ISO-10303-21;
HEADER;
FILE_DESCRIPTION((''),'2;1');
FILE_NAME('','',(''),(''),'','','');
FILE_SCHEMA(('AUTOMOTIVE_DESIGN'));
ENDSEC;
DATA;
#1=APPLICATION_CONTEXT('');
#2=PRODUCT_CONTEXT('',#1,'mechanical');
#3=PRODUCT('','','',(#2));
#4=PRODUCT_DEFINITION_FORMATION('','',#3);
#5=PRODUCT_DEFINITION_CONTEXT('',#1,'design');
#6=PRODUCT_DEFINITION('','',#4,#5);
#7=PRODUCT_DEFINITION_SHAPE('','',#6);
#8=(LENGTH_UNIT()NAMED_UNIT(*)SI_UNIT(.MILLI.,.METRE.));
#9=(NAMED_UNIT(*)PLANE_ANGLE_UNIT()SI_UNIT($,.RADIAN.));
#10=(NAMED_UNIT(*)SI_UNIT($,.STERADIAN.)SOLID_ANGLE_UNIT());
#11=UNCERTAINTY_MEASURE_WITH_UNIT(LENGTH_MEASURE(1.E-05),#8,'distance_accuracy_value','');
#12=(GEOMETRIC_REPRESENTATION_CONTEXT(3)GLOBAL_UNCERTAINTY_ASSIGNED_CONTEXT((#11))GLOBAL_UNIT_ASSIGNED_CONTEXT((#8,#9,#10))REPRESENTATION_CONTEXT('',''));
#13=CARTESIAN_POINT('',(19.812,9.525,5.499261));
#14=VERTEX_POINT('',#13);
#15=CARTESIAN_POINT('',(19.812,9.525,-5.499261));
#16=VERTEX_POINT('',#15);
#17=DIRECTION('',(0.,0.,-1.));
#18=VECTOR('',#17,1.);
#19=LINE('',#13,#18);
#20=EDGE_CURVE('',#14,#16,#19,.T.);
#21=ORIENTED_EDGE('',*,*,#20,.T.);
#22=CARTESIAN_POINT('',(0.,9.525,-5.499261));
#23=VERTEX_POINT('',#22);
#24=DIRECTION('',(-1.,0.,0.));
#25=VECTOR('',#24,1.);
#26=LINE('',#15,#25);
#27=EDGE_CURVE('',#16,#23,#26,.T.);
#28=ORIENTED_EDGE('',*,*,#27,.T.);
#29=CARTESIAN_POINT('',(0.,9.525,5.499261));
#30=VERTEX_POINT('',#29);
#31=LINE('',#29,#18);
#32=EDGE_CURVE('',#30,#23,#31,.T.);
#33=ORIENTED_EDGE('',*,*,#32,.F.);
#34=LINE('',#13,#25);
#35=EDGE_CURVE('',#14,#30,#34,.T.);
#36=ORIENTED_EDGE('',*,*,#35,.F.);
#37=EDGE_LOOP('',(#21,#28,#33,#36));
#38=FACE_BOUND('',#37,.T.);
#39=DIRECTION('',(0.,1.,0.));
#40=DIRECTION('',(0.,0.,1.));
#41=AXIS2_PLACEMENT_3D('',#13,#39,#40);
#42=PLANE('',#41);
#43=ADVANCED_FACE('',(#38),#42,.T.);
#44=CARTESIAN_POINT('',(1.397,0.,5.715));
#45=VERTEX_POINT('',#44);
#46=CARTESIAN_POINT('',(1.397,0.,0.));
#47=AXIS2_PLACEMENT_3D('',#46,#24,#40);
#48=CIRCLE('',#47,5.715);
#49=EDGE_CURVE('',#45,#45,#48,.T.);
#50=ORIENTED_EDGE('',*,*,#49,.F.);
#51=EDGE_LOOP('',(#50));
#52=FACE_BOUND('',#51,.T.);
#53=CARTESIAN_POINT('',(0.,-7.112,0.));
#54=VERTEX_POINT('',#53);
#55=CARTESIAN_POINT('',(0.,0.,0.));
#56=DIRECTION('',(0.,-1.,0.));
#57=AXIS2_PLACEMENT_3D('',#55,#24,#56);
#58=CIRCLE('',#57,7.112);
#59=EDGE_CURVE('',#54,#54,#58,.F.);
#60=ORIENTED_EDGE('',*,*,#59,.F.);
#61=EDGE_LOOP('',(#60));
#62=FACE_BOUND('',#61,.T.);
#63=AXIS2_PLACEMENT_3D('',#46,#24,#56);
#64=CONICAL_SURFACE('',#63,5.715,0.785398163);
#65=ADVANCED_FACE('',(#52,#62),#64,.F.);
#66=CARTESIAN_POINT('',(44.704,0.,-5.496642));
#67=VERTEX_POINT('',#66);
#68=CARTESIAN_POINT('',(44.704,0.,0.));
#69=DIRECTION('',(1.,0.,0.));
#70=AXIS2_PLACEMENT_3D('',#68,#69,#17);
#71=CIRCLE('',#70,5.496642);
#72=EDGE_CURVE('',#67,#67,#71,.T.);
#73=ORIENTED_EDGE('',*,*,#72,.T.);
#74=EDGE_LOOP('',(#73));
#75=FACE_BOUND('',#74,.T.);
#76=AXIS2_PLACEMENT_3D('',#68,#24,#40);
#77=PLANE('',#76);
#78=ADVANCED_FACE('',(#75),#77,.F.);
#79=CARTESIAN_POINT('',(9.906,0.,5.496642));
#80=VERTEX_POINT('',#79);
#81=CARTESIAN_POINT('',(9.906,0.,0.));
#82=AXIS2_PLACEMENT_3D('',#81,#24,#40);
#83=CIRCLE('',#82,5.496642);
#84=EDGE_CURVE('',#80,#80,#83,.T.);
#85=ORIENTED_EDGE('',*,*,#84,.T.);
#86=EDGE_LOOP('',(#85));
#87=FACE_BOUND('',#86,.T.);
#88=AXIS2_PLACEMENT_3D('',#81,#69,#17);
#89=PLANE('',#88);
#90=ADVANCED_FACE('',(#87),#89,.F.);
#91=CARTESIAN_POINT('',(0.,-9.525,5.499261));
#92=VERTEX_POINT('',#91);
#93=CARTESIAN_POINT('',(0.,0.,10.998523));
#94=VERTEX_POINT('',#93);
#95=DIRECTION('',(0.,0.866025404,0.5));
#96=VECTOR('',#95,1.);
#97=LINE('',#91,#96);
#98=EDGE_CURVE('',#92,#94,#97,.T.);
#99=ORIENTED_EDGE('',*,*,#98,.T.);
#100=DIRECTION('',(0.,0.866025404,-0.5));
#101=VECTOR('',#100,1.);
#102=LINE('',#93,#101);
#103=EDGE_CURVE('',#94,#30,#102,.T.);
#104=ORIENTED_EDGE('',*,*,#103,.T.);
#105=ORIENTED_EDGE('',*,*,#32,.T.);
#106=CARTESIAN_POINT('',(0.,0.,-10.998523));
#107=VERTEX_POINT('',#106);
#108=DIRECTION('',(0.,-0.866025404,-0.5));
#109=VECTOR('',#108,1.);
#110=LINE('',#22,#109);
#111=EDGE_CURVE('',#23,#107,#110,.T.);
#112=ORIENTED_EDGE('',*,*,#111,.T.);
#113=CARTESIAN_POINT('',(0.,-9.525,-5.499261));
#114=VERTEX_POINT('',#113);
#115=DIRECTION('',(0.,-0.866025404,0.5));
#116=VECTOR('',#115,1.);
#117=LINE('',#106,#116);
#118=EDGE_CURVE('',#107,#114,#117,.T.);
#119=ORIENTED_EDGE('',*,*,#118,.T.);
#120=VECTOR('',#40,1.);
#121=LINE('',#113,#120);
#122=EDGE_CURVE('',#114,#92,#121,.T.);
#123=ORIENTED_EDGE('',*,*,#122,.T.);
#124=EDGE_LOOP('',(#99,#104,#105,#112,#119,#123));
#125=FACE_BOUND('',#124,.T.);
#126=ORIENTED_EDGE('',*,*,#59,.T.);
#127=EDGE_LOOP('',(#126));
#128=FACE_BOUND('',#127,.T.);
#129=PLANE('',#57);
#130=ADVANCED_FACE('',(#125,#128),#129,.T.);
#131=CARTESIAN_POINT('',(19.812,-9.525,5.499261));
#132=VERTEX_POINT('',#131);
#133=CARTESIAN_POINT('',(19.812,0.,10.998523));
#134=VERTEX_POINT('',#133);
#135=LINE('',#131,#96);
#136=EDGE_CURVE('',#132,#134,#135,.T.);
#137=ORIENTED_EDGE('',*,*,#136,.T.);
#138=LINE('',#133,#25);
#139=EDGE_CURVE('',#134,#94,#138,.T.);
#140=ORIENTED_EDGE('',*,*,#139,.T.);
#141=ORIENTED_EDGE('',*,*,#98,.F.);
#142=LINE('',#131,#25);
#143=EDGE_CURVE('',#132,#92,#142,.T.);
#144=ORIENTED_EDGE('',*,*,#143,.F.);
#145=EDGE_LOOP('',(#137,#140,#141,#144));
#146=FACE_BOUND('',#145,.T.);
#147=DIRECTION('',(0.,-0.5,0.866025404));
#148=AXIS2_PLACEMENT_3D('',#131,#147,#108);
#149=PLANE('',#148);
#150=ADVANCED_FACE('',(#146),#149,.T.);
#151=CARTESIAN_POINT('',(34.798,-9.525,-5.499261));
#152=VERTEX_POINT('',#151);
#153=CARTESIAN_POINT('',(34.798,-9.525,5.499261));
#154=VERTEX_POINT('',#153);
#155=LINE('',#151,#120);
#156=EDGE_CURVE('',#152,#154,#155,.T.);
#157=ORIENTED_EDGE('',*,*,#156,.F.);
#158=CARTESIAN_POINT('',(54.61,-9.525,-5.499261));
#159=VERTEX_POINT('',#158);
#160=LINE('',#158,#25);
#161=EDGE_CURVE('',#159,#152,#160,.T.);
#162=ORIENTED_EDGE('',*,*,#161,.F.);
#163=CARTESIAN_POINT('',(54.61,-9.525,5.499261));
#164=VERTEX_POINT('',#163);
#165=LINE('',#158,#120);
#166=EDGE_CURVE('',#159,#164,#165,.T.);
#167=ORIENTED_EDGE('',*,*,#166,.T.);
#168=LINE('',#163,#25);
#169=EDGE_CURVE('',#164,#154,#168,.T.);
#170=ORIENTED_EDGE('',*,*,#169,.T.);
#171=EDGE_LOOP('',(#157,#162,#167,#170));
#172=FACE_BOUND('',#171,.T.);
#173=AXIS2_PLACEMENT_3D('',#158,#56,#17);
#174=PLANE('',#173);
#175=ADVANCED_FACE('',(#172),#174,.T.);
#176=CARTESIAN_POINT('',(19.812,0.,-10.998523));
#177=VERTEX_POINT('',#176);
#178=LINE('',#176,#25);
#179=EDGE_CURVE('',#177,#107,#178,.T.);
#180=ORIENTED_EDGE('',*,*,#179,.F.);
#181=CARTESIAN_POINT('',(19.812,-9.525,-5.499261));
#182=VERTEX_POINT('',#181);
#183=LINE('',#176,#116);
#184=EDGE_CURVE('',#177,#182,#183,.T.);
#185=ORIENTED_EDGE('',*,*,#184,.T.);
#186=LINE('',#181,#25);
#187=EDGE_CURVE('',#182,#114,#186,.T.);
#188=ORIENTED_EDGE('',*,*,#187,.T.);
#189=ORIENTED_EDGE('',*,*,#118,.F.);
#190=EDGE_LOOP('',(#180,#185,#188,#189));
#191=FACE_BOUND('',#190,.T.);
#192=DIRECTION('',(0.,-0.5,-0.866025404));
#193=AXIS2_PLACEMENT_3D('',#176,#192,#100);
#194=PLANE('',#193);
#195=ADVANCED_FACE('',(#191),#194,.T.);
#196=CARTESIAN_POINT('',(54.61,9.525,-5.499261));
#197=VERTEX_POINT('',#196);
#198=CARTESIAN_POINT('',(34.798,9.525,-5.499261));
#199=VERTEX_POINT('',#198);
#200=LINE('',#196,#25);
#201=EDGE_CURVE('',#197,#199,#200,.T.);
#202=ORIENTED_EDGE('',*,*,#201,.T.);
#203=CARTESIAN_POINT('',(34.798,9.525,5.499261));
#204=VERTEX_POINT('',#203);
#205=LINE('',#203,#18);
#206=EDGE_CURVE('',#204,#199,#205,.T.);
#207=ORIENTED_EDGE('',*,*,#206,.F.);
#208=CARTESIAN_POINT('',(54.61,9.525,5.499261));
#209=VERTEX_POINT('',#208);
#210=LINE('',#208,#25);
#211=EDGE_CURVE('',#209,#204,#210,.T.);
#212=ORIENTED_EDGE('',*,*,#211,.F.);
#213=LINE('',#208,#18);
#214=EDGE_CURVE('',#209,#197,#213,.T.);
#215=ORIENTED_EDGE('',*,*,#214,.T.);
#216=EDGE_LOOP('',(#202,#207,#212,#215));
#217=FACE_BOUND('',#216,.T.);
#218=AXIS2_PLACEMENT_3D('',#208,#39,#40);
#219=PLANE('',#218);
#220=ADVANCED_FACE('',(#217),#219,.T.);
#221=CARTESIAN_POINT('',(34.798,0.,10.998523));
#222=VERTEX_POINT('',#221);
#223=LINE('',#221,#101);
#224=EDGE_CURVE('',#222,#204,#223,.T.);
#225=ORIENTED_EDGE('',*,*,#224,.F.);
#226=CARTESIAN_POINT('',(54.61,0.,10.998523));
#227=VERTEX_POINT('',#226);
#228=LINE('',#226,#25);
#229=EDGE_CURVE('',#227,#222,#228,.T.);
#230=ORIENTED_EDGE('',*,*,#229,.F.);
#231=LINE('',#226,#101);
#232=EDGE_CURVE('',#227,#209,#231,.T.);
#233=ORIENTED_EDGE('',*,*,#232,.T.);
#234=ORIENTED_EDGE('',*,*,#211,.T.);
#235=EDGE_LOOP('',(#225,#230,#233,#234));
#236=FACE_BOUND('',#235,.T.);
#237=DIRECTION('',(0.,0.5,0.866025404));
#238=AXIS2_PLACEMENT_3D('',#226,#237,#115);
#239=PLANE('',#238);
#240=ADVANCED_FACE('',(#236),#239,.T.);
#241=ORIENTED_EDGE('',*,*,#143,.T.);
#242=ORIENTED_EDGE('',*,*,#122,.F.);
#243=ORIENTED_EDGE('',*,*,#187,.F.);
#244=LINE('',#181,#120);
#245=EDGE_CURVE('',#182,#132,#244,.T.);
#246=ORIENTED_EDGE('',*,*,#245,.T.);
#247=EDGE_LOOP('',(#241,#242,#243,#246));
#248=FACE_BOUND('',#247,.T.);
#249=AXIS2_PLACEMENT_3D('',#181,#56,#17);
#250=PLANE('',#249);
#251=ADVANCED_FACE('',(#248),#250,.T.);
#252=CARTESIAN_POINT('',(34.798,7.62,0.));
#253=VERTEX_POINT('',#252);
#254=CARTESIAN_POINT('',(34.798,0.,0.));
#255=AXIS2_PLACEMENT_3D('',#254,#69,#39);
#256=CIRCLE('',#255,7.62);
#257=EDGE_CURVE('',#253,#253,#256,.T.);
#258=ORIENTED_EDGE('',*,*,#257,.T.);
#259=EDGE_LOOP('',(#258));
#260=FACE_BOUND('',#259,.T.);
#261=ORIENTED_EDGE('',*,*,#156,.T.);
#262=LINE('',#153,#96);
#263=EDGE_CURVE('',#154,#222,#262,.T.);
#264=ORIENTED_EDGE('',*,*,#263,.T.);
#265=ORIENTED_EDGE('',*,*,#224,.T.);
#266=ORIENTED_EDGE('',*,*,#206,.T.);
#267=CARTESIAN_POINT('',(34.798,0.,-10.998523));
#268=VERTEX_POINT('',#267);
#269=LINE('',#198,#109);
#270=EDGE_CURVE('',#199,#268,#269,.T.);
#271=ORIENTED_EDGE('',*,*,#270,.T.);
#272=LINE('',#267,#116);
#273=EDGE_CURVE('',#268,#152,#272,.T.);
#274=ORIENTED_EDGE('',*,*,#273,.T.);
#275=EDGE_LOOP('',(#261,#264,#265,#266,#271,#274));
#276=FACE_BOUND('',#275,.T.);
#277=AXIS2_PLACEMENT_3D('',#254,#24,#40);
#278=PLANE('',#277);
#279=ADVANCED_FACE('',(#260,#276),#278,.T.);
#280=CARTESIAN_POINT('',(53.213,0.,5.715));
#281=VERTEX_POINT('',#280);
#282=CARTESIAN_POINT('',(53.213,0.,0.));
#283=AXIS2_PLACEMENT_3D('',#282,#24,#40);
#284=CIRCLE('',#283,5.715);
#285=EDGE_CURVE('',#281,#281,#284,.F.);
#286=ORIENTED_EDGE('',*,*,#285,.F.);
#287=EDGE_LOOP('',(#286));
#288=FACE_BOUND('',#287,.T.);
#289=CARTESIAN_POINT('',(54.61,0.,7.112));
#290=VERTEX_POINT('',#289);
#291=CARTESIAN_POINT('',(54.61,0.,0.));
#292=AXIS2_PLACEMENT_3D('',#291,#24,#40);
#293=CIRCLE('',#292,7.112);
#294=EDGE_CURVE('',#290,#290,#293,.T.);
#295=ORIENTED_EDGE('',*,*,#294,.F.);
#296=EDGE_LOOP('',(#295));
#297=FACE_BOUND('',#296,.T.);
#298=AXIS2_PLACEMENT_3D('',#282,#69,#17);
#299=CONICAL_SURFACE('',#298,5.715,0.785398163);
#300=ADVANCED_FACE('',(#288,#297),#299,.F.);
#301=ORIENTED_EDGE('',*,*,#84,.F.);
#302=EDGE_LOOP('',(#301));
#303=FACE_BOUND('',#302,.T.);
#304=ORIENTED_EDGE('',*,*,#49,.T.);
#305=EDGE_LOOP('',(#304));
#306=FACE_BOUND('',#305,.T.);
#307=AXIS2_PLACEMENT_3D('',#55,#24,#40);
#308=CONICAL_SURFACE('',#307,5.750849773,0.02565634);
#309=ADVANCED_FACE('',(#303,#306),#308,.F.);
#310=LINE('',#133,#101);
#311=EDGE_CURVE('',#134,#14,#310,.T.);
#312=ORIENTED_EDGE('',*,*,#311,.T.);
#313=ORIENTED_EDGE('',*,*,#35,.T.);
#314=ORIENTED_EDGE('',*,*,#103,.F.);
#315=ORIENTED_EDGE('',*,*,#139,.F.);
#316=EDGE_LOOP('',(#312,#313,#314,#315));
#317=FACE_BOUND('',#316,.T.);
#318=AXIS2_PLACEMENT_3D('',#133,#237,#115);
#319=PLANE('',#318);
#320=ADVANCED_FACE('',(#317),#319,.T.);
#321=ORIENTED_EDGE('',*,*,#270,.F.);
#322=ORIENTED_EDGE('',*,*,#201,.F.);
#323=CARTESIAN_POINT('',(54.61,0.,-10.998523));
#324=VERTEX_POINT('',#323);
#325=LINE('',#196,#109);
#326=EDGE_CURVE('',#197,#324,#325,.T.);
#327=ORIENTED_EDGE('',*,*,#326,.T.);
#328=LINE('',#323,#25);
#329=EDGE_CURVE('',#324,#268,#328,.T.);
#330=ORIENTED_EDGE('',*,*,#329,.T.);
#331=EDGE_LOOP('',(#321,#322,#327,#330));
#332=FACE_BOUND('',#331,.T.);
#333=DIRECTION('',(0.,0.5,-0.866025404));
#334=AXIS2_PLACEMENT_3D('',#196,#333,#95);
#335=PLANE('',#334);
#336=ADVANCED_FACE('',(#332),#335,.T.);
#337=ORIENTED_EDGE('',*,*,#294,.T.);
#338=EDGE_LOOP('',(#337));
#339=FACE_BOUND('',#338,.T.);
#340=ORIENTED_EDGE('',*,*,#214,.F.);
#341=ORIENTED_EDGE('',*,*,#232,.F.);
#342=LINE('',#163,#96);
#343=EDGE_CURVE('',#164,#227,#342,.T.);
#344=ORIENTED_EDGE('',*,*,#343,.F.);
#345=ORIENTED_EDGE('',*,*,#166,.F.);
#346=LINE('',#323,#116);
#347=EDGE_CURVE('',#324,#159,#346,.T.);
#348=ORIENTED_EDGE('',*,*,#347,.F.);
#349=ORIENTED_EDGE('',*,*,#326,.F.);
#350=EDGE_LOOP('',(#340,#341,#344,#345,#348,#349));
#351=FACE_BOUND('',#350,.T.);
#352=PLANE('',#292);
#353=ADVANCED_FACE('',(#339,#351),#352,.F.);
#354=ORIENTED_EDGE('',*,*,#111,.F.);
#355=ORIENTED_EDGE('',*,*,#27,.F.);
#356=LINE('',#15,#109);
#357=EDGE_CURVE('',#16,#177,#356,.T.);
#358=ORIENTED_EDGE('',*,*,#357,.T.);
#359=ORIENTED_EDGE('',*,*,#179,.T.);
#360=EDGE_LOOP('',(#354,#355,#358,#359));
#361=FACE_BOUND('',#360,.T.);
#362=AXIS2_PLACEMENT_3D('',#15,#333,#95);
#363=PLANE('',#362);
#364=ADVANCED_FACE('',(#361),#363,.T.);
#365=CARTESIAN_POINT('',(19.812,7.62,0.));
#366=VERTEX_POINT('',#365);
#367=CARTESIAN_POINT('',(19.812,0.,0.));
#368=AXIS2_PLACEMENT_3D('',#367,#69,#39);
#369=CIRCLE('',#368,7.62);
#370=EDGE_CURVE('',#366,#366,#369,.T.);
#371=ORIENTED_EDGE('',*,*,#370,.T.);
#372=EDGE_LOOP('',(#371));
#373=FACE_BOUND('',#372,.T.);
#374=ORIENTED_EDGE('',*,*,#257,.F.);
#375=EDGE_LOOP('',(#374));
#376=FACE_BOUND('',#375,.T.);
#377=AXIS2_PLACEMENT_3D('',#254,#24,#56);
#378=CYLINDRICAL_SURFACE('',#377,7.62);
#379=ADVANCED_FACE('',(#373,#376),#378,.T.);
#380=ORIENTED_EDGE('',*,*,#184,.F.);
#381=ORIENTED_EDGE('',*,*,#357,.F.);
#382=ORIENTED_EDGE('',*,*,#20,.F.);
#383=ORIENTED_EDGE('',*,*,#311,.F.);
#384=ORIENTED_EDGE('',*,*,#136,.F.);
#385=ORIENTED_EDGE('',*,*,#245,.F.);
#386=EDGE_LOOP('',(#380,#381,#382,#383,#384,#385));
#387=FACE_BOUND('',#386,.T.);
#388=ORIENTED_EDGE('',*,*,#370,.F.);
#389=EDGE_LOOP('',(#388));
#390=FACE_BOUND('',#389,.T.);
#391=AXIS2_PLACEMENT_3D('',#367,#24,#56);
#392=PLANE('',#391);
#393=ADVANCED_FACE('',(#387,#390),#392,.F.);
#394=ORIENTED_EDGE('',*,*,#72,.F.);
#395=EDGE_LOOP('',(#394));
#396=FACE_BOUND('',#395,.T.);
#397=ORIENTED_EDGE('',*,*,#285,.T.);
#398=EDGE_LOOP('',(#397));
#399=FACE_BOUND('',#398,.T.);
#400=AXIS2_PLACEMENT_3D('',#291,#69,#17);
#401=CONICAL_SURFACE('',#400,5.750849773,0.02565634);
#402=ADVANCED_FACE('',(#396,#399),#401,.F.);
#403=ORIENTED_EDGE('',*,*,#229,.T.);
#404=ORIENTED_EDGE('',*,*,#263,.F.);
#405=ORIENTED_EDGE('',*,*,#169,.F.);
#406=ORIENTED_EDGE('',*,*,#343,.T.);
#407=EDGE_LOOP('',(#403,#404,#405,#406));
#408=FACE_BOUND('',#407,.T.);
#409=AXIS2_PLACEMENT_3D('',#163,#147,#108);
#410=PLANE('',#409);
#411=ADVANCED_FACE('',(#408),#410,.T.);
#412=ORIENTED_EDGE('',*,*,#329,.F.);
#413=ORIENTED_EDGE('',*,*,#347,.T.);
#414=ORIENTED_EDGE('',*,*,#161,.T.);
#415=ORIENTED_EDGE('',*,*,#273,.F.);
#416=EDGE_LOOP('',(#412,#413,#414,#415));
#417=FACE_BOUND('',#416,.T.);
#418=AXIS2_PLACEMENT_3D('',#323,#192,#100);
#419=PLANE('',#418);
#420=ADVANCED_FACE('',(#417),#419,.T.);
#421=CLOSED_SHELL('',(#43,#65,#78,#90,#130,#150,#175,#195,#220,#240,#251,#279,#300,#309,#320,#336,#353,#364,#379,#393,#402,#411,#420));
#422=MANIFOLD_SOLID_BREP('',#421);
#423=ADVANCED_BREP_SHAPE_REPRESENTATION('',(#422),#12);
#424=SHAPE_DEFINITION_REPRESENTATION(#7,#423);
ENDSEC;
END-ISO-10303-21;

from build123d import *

# Parameters (mm, degrees)
BOSS_EXTRUDE1_DEPTH   = 19.812
SKETCH2_R             = 7.62
BOSS_EXTRUDE2_DEPTH   = 14.986
BOSS_EXTRUDE3_DEPTH   = 19.812
CHAMFER1_SIZE2        = 1.397459912
CHAMFER1_SIZE         = 1.361150227
CHAMFER1_EDGE_2_SIZE2 = 1.397459912
CHAMFER1_EDGE_2_SIZE  = 1.361150227


with BuildPart() as part:
    # Sketch1 → Boss-Extrude1 (new body)
    with BuildSketch(Plane(origin=(0, 0, 0), x_dir=(0, -1, 0), z_dir=(-1, 0, 0))):
        Polygon((-9.525, 5.499261314), (-9.525, -5.499261314), (0, -10.998522628), (9.525, -5.499261314), (9.525, 5.499261314), (0, 10.998522628), align=None)
    extrude(amount=-BOSS_EXTRUDE1_DEPTH)

    # Sketch2 → Boss-Extrude2 (add)
    with BuildSketch(Plane(origin=(19.812, 0, 0), x_dir=(0, 0, -1), z_dir=(1, 0, 0))):
        Circle(SKETCH2_R)
    extrude(amount=BOSS_EXTRUDE2_DEPTH)

    # Sketch3 → Boss-Extrude3 (add)
    with BuildSketch(Plane(origin=(34.798, 0, 0), x_dir=(0, -1, 0), z_dir=(-1, 0, 0))):
        Polygon((9.525, -5.499261314), (9.525, 5.499261314), (0, 10.998522628), (-9.525, 5.499261314), (-9.525, -5.499261314), (0, -10.998522628), align=None)
    extrude(amount=-BOSS_EXTRUDE3_DEPTH)

    # Sketch4 → Hole1 (revolve, cut)
    with BuildSketch(Plane(origin=(54.61, 0, 0), x_dir=(0, 0, -1), z_dir=(0, 1, 0))):
        Polygon((0, 0), (0, 9.906), (5.49664229, 9.906), (5.750849773, 0), align=None)
    revolve(axis=Axis((-55.39, 0, 0), (1, 0, 0)), mode=Mode.SUBTRACT)

    # Sketch6 → Hole2 (revolve, cut)
    with BuildSketch(Plane.ZX):
        Polygon((0, 0), (0, 9.906), (5.49664229, 9.906), (5.750849773, 0), align=None)
    revolve(axis=Axis((110, 0, 0), (-1, 0, 0)), mode=Mode.SUBTRACT)

    # Chamfer1
    chamfer1_edges = [part.edges().sort_by_distance(p)[0] for p in [
        (54.61, 0, 5.750849773),
    ]]
    chamfer(chamfer1_edges, length=CHAMFER1_SIZE, length2=CHAMFER1_SIZE2)

    # Chamfer1 edge 2
    chamfer1_edge_2_edges = [part.edges().sort_by_distance(p)[0] for p in [
        (0, 0, -5.750849773),
    ]]
    chamfer(chamfer1_edge_2_edges, length=CHAMFER1_EDGE_2_SIZE, length2=CHAMFER1_EDGE_2_SIZE2)


solid = part.part
